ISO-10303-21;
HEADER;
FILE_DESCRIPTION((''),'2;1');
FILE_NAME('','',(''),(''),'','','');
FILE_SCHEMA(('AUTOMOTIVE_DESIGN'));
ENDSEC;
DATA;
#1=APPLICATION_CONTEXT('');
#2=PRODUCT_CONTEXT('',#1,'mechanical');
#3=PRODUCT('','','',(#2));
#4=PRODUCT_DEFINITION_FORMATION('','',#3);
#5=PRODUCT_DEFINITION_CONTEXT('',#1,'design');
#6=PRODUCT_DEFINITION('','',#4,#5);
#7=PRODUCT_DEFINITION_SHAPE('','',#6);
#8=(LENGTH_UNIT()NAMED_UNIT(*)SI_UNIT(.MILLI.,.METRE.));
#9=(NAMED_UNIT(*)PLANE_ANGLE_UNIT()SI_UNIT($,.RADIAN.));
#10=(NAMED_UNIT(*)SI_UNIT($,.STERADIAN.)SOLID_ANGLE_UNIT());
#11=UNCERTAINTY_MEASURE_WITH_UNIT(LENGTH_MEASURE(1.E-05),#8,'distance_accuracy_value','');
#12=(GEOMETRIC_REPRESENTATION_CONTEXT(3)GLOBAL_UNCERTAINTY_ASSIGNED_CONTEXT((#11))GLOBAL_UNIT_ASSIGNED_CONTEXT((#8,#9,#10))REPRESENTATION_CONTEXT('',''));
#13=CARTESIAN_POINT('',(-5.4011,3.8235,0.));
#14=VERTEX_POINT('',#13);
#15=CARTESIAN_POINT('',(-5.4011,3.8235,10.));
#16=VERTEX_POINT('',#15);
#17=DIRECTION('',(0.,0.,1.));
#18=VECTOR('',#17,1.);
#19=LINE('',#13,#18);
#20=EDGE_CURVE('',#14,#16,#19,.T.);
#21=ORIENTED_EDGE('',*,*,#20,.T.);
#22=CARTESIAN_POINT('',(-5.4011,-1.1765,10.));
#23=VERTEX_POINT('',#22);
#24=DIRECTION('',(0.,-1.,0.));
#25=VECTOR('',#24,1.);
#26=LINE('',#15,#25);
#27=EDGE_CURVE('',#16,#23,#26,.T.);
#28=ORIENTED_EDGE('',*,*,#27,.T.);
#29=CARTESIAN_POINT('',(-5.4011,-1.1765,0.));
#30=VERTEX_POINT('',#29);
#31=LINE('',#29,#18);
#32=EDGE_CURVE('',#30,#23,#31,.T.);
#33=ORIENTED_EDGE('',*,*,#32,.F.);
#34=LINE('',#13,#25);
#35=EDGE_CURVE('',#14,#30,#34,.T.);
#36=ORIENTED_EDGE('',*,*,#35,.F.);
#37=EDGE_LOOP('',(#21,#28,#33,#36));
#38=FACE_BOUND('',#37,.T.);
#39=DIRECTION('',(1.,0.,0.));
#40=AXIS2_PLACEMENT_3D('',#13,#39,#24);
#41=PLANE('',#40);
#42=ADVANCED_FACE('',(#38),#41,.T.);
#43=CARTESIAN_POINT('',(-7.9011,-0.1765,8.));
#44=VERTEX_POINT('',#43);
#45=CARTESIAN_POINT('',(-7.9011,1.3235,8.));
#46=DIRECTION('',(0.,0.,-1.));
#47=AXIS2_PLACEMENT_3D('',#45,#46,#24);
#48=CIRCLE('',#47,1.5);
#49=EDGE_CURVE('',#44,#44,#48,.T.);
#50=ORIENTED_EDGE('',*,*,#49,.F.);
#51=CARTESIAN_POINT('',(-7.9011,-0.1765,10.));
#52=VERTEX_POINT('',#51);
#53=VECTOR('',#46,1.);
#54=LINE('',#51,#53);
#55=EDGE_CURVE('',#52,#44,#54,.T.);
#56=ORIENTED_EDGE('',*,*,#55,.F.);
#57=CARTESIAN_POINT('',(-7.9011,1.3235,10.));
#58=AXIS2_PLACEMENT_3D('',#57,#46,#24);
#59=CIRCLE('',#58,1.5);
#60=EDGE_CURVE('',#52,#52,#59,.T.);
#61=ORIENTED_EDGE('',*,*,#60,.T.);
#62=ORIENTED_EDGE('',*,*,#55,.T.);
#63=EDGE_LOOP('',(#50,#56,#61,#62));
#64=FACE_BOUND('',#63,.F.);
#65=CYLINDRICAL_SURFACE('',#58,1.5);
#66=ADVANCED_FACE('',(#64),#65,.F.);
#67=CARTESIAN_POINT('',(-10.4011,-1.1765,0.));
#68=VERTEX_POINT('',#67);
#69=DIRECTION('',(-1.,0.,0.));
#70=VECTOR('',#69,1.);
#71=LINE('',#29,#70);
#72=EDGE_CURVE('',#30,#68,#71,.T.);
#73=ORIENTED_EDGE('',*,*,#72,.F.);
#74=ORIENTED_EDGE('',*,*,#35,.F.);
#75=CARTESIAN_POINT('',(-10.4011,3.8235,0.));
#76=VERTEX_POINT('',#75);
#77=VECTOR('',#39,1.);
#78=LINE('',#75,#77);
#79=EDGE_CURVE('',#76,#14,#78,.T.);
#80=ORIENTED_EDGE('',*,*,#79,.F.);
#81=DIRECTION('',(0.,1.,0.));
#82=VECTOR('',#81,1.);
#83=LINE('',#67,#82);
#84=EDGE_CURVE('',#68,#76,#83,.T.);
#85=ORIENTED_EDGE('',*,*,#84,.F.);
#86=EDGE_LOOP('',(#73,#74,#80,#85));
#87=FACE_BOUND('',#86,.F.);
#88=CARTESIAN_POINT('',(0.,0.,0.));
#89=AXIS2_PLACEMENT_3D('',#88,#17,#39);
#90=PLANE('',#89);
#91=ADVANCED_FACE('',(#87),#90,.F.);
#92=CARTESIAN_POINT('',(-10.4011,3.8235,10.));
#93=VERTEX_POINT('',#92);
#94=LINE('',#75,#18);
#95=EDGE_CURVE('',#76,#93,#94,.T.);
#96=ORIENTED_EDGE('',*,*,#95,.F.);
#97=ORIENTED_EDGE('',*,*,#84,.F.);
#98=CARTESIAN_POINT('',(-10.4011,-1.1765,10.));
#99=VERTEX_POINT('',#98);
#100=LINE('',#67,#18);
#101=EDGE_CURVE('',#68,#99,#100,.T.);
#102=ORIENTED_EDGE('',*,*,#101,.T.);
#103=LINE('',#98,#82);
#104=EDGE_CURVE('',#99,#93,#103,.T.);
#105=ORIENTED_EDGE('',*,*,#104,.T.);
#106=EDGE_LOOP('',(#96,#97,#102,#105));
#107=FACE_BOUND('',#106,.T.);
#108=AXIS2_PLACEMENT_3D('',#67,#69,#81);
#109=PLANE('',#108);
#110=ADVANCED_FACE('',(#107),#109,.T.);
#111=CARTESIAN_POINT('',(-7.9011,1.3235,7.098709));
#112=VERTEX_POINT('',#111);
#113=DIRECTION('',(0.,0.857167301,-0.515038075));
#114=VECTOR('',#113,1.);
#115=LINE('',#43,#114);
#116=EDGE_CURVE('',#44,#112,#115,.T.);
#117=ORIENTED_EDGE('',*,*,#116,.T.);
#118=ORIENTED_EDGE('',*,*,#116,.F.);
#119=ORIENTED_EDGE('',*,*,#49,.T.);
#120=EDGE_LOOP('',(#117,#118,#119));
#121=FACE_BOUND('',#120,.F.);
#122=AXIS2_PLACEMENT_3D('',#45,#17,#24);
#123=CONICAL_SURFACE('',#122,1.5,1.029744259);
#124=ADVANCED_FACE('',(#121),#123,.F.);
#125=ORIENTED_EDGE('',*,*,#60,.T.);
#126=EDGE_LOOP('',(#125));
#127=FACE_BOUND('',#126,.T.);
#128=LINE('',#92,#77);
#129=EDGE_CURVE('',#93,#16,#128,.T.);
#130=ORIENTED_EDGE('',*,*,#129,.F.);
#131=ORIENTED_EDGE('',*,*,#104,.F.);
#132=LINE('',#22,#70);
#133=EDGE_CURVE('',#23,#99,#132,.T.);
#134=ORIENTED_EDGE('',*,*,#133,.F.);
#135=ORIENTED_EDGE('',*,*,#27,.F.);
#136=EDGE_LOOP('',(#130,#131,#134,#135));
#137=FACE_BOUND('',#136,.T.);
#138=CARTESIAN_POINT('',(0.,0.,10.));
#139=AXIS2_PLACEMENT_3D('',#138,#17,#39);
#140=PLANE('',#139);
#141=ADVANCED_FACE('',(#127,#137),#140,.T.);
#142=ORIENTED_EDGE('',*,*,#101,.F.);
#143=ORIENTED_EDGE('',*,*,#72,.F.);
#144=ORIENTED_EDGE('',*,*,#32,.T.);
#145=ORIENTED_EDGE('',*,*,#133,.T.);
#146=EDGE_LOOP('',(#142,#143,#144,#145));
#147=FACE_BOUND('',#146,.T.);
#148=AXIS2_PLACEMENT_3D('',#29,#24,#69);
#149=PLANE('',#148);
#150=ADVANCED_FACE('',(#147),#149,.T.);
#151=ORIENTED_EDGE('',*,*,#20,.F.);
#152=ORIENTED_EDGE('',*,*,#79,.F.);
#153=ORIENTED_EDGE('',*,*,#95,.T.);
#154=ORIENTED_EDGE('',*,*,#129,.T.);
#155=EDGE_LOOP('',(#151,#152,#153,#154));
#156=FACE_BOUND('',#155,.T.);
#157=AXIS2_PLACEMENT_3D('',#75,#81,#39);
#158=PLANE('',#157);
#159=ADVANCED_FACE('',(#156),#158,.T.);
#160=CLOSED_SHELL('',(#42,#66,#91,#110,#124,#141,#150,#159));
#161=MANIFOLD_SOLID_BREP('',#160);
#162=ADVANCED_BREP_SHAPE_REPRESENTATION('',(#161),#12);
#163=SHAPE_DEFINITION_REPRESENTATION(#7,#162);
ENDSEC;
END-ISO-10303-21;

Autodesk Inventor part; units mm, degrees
ref_plane "YZ Plane" through (0, 0, 0) normal (1, 0, 0) x (0, 1, 0)
ref_plane "XZ Plane" through (0, 0, 0) normal (0, 1, 0) x (-1, 0, 0)
ref_plane "XY Plane" through (0, 0, 0) normal (0, 0, 1) x (1, 0, 0)
sketch "Sketch1" plane through (0, 0, 0) normal (0, 0, 1) x (1, 0, 0)
  line L0 (-10.4011, 3.8235) -> (-5.4011, 3.8235)
  line L1 (-5.4011, 3.8235) -> (-5.4011, -1.1765)
  line L2 (-5.4011, -1.1765) -> (-10.4011, -1.1765)
  line L3 (-10.4011, -1.1765) -> (-10.4011, 3.8235)
  point P0 (0, 0)
  dimension "d0" = 5
  dimension "d1" = 5
extrude "Extrusion1" add sketch "Sketch1" along normal blind 10
sketch "Sketch2" plane through (0, 0, 10) normal (0, 0, 1) x (1, 0, 0)
  line L0 (-10.4011, 3.8235) -> (-5.4011, 3.8235) projected
  point P0 (0, 0)
  point P1 (-7.9011, 1.3235)
  dimension "d4" = 2.5
hole "Hole1" at (-7.9011, 1.3235, 10) direction (0, 0, -1) diameter 3 depth 2 tip angle 118
properties part number "screw holder"
